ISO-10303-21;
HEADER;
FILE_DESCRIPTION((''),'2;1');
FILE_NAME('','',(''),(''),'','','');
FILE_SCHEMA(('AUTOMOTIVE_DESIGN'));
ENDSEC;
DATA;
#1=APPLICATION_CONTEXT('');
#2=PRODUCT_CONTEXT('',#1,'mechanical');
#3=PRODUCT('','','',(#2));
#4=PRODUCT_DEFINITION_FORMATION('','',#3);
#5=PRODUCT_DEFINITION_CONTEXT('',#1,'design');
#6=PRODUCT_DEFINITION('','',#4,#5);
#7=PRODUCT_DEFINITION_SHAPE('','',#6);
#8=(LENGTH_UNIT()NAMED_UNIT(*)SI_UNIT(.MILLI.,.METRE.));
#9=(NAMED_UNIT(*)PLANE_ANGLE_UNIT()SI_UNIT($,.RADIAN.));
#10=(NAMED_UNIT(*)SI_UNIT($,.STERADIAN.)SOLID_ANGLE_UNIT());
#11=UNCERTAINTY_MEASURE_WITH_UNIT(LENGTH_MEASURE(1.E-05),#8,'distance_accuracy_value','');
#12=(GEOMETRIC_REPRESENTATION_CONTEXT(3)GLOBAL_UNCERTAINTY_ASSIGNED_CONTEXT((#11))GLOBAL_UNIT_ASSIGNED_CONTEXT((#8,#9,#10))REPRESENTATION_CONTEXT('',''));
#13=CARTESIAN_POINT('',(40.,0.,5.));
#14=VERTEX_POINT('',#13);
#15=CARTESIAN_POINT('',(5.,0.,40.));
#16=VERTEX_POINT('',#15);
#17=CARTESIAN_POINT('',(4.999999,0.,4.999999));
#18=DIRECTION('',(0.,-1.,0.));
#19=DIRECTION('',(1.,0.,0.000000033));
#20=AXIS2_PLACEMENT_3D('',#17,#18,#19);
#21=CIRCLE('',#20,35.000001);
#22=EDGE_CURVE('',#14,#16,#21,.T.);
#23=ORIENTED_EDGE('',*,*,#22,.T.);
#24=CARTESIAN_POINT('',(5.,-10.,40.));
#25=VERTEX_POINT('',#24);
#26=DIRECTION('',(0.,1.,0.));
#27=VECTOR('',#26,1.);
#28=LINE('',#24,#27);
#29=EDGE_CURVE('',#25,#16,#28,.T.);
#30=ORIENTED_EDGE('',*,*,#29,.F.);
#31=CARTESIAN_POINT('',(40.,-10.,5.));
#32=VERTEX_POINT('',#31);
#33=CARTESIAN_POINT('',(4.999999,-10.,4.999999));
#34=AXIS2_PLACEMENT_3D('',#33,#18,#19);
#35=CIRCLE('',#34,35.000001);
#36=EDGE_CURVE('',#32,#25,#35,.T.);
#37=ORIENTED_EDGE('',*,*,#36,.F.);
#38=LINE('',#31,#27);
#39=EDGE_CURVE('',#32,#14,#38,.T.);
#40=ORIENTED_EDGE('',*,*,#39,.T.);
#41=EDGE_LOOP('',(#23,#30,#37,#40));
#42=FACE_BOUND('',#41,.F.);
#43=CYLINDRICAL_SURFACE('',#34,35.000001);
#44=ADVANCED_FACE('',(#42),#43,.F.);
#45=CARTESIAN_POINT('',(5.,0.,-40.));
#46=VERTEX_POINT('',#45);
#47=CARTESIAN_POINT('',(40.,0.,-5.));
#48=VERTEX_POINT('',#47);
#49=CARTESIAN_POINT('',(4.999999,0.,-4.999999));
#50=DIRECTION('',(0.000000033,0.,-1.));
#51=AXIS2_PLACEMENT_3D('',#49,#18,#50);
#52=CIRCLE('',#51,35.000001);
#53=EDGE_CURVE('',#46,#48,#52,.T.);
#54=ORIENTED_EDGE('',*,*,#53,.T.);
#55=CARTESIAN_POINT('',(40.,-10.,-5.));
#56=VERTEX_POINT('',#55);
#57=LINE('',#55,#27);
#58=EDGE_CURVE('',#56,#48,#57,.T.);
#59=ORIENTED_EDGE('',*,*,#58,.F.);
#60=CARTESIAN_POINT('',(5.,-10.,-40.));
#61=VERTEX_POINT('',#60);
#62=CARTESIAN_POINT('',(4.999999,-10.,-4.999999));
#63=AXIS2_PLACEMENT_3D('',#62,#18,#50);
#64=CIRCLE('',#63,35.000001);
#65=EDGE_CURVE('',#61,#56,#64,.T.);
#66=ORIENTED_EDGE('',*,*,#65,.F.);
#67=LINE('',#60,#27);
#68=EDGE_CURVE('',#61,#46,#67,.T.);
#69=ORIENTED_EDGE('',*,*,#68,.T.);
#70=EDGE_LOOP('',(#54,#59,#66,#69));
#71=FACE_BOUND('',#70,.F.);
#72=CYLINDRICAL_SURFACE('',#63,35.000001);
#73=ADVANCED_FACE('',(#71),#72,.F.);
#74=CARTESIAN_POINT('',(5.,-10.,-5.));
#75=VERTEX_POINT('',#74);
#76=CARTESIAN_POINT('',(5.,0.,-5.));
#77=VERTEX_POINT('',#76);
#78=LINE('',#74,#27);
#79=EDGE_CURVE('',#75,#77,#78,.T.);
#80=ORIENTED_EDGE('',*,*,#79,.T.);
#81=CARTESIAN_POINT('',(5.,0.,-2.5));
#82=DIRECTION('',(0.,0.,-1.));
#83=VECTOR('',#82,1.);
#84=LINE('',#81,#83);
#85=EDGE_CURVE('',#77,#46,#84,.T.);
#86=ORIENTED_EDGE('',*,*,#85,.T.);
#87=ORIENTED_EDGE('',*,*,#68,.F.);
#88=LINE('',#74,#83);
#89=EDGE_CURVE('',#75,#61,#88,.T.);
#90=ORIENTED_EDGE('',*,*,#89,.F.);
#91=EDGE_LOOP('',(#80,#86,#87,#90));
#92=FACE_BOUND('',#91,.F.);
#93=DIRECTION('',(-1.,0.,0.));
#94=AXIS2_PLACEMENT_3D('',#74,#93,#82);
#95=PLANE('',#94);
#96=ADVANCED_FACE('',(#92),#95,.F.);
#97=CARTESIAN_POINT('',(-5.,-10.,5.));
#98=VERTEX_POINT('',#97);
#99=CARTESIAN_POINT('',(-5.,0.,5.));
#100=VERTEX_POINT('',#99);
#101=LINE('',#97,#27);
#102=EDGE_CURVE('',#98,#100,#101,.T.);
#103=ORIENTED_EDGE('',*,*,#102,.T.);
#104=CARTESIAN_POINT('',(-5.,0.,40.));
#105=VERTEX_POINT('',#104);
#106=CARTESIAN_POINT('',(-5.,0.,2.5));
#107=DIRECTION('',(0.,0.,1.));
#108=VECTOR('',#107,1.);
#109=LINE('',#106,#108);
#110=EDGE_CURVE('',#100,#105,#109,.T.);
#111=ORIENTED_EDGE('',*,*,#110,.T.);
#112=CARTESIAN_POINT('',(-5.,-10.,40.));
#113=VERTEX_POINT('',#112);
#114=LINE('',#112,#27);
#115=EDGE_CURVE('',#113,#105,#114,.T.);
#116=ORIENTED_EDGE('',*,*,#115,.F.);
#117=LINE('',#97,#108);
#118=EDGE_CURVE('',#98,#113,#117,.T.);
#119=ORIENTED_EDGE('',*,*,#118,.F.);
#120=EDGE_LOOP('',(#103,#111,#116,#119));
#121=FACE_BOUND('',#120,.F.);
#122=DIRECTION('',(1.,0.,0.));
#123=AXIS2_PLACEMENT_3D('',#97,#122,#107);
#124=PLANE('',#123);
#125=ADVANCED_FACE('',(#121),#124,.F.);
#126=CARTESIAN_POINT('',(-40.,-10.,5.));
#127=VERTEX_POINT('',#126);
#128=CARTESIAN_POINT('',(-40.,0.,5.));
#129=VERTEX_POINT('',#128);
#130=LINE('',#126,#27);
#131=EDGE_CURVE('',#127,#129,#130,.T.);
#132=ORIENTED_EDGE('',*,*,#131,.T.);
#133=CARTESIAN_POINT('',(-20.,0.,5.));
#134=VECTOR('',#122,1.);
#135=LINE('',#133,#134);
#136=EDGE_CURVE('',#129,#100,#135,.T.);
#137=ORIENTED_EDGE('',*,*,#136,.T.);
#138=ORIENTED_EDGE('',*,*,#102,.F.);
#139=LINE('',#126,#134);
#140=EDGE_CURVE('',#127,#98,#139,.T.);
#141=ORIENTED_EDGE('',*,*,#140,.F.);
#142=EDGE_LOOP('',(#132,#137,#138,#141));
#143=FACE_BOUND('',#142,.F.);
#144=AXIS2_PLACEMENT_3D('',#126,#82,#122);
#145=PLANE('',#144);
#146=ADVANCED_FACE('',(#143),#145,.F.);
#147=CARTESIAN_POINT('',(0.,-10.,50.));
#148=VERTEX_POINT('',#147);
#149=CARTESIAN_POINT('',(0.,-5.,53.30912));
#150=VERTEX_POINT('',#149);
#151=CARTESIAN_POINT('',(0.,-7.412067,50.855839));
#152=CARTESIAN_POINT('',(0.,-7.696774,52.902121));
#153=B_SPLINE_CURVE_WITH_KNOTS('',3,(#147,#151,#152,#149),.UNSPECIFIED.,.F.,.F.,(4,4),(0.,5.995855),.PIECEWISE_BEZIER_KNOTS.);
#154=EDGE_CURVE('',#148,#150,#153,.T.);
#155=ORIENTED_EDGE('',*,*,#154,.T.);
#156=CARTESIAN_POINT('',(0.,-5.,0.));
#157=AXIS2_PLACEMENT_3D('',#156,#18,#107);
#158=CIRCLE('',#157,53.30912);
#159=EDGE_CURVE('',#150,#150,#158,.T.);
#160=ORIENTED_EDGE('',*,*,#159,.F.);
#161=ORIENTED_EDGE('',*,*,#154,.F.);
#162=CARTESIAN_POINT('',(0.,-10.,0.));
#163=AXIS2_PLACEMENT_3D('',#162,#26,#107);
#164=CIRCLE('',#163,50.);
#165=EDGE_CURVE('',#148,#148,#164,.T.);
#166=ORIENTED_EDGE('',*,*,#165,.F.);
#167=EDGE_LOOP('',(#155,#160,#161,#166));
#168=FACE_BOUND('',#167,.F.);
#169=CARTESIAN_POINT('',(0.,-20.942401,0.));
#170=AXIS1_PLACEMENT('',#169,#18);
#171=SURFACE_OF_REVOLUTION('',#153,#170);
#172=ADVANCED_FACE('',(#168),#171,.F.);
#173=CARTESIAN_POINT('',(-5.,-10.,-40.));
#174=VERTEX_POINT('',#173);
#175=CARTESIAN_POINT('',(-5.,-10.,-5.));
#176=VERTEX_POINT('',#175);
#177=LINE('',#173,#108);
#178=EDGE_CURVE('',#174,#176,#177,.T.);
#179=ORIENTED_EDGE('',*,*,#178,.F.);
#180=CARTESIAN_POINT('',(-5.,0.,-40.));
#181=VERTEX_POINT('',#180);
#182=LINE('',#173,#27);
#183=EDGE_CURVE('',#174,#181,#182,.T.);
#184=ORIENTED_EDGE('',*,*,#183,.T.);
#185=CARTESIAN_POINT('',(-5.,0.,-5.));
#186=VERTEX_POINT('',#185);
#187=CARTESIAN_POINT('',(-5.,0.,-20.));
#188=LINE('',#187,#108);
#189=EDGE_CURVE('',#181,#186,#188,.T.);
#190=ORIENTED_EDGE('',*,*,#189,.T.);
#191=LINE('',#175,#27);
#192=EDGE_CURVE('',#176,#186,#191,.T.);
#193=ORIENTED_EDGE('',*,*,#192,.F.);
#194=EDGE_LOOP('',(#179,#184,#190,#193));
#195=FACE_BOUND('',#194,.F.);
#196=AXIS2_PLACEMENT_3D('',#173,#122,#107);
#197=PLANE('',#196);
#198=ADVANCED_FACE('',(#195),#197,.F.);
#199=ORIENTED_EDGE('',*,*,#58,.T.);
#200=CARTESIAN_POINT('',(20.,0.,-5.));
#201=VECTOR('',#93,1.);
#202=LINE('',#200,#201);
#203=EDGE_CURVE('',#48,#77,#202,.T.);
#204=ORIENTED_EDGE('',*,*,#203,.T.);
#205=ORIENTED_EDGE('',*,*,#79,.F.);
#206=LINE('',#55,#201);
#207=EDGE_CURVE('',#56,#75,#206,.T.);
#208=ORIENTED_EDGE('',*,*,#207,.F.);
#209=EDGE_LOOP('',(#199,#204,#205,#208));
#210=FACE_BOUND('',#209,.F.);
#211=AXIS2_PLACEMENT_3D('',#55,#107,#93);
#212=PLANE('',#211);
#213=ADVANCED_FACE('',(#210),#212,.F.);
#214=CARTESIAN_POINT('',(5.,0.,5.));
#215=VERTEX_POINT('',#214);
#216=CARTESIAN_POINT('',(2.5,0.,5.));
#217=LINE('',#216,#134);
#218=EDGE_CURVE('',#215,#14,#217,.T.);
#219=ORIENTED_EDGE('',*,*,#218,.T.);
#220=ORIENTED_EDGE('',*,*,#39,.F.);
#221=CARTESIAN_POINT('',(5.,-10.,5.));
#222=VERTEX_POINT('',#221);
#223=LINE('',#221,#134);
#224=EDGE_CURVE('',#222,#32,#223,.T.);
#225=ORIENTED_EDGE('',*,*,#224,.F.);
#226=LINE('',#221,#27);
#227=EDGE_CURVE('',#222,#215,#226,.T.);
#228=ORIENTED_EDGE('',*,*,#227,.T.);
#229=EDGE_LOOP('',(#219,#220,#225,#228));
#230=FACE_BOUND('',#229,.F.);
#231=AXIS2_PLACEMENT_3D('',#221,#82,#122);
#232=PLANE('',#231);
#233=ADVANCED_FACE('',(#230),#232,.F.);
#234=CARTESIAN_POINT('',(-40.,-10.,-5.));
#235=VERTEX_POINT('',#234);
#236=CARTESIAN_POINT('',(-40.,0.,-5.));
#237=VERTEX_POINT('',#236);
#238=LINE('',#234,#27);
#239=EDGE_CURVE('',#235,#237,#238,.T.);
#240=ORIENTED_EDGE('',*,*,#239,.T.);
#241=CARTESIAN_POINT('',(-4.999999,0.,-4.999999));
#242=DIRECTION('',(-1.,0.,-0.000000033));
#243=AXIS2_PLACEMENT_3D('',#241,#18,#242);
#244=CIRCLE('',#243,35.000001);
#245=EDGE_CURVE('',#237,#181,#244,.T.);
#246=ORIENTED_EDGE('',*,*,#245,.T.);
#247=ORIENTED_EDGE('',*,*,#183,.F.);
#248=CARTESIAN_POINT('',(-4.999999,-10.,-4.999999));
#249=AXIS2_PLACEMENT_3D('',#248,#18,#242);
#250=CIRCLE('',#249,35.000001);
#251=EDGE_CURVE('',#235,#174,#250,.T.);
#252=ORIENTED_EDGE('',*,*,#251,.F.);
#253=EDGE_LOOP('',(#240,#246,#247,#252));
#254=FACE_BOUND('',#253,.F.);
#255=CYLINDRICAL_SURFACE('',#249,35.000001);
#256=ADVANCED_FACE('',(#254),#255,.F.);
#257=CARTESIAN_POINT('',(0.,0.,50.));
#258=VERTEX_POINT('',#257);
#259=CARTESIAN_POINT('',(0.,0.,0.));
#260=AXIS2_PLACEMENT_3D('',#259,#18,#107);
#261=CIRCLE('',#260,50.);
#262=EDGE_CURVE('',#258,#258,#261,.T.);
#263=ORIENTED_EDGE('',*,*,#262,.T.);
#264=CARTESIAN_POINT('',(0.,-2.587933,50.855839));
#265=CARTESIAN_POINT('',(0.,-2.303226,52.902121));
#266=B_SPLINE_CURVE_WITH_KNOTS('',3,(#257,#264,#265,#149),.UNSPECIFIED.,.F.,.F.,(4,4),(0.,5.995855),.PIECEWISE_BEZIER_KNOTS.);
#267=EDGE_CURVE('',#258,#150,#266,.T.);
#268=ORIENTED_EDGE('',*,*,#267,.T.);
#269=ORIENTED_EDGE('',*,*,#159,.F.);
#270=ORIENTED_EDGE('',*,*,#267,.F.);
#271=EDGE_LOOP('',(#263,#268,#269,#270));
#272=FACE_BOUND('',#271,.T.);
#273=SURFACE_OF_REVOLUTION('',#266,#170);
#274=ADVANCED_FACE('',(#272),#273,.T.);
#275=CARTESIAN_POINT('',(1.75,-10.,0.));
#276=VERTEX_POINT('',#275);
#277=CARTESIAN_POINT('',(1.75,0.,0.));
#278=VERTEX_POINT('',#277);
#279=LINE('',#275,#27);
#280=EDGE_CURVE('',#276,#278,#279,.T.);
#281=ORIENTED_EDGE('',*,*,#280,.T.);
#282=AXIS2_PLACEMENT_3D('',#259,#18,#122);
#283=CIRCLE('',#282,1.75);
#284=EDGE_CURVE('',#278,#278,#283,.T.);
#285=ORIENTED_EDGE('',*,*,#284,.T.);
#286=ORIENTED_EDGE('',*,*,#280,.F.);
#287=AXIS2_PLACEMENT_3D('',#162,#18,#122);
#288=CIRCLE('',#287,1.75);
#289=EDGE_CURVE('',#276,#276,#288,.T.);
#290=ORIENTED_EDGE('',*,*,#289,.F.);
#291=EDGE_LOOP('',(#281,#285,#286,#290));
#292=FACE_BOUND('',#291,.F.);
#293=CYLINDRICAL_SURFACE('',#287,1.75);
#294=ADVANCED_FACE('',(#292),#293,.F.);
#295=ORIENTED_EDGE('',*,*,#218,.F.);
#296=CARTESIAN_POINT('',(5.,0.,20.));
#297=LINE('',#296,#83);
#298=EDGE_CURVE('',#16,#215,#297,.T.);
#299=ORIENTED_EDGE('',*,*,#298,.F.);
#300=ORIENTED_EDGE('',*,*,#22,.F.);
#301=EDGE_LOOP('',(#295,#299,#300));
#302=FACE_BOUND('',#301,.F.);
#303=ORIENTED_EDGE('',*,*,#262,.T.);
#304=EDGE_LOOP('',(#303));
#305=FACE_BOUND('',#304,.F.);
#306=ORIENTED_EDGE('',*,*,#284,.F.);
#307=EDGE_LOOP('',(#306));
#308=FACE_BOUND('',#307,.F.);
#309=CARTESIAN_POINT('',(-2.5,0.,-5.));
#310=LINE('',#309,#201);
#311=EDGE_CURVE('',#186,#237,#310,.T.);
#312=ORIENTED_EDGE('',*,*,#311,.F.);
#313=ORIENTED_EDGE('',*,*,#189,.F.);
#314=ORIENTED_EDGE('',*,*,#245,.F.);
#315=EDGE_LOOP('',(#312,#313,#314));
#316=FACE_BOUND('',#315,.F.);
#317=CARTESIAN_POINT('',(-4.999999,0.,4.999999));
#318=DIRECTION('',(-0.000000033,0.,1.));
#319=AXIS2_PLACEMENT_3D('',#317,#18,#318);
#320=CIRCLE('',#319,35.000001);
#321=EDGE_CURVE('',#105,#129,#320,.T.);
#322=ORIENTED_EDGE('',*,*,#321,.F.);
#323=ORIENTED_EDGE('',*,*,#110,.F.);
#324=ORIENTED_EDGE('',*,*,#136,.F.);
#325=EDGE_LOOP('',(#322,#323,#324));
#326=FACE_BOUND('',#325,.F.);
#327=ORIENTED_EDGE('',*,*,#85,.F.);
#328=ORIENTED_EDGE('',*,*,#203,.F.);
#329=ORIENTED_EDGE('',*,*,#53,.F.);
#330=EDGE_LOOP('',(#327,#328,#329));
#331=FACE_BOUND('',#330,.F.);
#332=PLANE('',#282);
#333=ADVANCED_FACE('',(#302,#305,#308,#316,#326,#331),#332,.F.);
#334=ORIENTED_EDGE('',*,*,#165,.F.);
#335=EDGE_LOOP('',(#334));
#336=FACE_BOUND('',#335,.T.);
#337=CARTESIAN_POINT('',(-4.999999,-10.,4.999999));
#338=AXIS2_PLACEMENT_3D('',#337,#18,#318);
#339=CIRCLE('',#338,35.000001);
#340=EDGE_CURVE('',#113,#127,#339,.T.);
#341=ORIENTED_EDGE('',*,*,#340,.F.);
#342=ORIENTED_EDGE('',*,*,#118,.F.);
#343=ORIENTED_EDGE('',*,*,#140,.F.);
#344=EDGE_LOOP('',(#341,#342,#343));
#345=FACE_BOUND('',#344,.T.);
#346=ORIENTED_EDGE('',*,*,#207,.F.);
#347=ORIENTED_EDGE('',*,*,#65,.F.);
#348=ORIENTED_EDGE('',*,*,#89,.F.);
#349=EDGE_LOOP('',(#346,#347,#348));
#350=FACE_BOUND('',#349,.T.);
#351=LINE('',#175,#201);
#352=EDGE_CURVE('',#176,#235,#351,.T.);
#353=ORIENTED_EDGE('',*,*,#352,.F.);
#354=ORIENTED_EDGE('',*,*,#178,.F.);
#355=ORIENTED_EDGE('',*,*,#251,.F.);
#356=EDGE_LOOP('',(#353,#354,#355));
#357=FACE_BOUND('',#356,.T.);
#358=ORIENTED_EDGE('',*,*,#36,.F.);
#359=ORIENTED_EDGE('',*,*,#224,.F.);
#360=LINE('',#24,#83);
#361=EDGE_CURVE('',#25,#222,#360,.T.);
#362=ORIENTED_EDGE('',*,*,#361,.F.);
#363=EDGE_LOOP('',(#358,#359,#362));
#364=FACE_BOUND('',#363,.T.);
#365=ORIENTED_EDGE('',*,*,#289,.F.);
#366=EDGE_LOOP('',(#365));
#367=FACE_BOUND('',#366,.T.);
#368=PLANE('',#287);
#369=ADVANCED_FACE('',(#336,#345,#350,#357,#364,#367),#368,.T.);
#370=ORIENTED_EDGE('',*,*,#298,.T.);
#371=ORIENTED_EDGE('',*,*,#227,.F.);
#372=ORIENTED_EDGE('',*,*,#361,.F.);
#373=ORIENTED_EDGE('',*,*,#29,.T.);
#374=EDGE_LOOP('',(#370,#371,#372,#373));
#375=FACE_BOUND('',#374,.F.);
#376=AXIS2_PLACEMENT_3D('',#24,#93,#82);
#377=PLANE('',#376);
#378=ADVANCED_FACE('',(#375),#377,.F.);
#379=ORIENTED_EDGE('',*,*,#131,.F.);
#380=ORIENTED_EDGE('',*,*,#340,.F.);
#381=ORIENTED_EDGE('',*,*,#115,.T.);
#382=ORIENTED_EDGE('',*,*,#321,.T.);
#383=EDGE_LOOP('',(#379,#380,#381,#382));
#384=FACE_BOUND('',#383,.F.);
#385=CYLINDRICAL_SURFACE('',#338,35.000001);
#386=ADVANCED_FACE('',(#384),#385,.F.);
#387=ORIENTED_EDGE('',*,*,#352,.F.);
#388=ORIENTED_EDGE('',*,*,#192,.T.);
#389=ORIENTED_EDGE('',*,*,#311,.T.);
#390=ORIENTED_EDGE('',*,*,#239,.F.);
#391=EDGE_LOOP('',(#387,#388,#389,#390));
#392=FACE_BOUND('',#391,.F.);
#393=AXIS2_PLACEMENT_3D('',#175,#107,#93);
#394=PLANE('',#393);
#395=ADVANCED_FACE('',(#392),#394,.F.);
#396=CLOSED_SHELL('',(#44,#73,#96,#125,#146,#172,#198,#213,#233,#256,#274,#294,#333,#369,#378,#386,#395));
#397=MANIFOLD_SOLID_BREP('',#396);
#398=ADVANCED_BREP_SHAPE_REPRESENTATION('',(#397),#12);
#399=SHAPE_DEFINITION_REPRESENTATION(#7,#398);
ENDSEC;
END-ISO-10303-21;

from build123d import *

# Parameters (mm, degrees)
F0_R     = 50
F1_DEPTH = 10
F5_R     = 1.75
F6_DEPTH = 10.001
F8_DEPTH = 10.001


with BuildPart() as f1:
    # F0 (on Front) → F1 (new body)
    with BuildSketch(Plane.XZ):
        Circle(F0_R)
    extrude(amount=F1_DEPTH)

    # F3 (on Right) → F4 (revolve)
    with BuildSketch(Plane.YZ):
        with BuildLine():
            Line((-10, 50), (0, 50))
            add(Edge.make_bspline(
                [(0, 50), (-2.587933, 50.855839), (-2.303226, 52.902121), (-5, 53.30912)],
                knots=[0, 0, 0, 0, 5.995855, 5.995855, 5.995855, 5.995855], degree=3))
            add(Edge.make_bspline(
                [(-10, 50), (-7.412067, 50.855839), (-7.696774, 52.902121), (-5, 53.30912)],
                knots=[0, 0, 0, 0, 5.995855, 5.995855, 5.995855, 5.995855], degree=3))
        make_face()
    revolve(axis=Axis((0, -20.942401, 0), (0, -1, 0)))

    # F5 (on face) → F6 (cut, through all)
    with BuildSketch(Plane.XZ.offset(10)):
        Circle(F5_R)
    extrude(amount=-F6_DEPTH, mode=Mode.SUBTRACT)

    # F7 (on face) → F8 (cut, through all)
    with BuildSketch(Plane.XZ.offset(10)):
        with BuildLine():
            Line((-40, 5), (-5, 5))
            Line((-5, 5), (-5, 40))
            ThreePointArc((-5, 40), (-29.748737, 29.748737), (-40, 5))
        make_face()
        with BuildLine():
            ThreePointArc((40, 5), (29.748737, 29.748737), (5, 40))
            Line((5, 40), (5, 5))
            Line((5, 5), (40, 5))
        make_face()
        with BuildLine():
            Line((40, -5), (5, -5))
            Line((5, -5), (5, -40))
            ThreePointArc((5, -40), (29.748737, -29.748737), (40, -5))
        make_face()
        with BuildLine():
            Line((-5, -40), (-5, -5))
            Line((-5, -5), (-40, -5))
            ThreePointArc((-40, -5), (-29.748737, -29.748737), (-5, -40))
        make_face()
    extrude(amount=-F8_DEPTH, mode=Mode.SUBTRACT)


solid = f1.part
